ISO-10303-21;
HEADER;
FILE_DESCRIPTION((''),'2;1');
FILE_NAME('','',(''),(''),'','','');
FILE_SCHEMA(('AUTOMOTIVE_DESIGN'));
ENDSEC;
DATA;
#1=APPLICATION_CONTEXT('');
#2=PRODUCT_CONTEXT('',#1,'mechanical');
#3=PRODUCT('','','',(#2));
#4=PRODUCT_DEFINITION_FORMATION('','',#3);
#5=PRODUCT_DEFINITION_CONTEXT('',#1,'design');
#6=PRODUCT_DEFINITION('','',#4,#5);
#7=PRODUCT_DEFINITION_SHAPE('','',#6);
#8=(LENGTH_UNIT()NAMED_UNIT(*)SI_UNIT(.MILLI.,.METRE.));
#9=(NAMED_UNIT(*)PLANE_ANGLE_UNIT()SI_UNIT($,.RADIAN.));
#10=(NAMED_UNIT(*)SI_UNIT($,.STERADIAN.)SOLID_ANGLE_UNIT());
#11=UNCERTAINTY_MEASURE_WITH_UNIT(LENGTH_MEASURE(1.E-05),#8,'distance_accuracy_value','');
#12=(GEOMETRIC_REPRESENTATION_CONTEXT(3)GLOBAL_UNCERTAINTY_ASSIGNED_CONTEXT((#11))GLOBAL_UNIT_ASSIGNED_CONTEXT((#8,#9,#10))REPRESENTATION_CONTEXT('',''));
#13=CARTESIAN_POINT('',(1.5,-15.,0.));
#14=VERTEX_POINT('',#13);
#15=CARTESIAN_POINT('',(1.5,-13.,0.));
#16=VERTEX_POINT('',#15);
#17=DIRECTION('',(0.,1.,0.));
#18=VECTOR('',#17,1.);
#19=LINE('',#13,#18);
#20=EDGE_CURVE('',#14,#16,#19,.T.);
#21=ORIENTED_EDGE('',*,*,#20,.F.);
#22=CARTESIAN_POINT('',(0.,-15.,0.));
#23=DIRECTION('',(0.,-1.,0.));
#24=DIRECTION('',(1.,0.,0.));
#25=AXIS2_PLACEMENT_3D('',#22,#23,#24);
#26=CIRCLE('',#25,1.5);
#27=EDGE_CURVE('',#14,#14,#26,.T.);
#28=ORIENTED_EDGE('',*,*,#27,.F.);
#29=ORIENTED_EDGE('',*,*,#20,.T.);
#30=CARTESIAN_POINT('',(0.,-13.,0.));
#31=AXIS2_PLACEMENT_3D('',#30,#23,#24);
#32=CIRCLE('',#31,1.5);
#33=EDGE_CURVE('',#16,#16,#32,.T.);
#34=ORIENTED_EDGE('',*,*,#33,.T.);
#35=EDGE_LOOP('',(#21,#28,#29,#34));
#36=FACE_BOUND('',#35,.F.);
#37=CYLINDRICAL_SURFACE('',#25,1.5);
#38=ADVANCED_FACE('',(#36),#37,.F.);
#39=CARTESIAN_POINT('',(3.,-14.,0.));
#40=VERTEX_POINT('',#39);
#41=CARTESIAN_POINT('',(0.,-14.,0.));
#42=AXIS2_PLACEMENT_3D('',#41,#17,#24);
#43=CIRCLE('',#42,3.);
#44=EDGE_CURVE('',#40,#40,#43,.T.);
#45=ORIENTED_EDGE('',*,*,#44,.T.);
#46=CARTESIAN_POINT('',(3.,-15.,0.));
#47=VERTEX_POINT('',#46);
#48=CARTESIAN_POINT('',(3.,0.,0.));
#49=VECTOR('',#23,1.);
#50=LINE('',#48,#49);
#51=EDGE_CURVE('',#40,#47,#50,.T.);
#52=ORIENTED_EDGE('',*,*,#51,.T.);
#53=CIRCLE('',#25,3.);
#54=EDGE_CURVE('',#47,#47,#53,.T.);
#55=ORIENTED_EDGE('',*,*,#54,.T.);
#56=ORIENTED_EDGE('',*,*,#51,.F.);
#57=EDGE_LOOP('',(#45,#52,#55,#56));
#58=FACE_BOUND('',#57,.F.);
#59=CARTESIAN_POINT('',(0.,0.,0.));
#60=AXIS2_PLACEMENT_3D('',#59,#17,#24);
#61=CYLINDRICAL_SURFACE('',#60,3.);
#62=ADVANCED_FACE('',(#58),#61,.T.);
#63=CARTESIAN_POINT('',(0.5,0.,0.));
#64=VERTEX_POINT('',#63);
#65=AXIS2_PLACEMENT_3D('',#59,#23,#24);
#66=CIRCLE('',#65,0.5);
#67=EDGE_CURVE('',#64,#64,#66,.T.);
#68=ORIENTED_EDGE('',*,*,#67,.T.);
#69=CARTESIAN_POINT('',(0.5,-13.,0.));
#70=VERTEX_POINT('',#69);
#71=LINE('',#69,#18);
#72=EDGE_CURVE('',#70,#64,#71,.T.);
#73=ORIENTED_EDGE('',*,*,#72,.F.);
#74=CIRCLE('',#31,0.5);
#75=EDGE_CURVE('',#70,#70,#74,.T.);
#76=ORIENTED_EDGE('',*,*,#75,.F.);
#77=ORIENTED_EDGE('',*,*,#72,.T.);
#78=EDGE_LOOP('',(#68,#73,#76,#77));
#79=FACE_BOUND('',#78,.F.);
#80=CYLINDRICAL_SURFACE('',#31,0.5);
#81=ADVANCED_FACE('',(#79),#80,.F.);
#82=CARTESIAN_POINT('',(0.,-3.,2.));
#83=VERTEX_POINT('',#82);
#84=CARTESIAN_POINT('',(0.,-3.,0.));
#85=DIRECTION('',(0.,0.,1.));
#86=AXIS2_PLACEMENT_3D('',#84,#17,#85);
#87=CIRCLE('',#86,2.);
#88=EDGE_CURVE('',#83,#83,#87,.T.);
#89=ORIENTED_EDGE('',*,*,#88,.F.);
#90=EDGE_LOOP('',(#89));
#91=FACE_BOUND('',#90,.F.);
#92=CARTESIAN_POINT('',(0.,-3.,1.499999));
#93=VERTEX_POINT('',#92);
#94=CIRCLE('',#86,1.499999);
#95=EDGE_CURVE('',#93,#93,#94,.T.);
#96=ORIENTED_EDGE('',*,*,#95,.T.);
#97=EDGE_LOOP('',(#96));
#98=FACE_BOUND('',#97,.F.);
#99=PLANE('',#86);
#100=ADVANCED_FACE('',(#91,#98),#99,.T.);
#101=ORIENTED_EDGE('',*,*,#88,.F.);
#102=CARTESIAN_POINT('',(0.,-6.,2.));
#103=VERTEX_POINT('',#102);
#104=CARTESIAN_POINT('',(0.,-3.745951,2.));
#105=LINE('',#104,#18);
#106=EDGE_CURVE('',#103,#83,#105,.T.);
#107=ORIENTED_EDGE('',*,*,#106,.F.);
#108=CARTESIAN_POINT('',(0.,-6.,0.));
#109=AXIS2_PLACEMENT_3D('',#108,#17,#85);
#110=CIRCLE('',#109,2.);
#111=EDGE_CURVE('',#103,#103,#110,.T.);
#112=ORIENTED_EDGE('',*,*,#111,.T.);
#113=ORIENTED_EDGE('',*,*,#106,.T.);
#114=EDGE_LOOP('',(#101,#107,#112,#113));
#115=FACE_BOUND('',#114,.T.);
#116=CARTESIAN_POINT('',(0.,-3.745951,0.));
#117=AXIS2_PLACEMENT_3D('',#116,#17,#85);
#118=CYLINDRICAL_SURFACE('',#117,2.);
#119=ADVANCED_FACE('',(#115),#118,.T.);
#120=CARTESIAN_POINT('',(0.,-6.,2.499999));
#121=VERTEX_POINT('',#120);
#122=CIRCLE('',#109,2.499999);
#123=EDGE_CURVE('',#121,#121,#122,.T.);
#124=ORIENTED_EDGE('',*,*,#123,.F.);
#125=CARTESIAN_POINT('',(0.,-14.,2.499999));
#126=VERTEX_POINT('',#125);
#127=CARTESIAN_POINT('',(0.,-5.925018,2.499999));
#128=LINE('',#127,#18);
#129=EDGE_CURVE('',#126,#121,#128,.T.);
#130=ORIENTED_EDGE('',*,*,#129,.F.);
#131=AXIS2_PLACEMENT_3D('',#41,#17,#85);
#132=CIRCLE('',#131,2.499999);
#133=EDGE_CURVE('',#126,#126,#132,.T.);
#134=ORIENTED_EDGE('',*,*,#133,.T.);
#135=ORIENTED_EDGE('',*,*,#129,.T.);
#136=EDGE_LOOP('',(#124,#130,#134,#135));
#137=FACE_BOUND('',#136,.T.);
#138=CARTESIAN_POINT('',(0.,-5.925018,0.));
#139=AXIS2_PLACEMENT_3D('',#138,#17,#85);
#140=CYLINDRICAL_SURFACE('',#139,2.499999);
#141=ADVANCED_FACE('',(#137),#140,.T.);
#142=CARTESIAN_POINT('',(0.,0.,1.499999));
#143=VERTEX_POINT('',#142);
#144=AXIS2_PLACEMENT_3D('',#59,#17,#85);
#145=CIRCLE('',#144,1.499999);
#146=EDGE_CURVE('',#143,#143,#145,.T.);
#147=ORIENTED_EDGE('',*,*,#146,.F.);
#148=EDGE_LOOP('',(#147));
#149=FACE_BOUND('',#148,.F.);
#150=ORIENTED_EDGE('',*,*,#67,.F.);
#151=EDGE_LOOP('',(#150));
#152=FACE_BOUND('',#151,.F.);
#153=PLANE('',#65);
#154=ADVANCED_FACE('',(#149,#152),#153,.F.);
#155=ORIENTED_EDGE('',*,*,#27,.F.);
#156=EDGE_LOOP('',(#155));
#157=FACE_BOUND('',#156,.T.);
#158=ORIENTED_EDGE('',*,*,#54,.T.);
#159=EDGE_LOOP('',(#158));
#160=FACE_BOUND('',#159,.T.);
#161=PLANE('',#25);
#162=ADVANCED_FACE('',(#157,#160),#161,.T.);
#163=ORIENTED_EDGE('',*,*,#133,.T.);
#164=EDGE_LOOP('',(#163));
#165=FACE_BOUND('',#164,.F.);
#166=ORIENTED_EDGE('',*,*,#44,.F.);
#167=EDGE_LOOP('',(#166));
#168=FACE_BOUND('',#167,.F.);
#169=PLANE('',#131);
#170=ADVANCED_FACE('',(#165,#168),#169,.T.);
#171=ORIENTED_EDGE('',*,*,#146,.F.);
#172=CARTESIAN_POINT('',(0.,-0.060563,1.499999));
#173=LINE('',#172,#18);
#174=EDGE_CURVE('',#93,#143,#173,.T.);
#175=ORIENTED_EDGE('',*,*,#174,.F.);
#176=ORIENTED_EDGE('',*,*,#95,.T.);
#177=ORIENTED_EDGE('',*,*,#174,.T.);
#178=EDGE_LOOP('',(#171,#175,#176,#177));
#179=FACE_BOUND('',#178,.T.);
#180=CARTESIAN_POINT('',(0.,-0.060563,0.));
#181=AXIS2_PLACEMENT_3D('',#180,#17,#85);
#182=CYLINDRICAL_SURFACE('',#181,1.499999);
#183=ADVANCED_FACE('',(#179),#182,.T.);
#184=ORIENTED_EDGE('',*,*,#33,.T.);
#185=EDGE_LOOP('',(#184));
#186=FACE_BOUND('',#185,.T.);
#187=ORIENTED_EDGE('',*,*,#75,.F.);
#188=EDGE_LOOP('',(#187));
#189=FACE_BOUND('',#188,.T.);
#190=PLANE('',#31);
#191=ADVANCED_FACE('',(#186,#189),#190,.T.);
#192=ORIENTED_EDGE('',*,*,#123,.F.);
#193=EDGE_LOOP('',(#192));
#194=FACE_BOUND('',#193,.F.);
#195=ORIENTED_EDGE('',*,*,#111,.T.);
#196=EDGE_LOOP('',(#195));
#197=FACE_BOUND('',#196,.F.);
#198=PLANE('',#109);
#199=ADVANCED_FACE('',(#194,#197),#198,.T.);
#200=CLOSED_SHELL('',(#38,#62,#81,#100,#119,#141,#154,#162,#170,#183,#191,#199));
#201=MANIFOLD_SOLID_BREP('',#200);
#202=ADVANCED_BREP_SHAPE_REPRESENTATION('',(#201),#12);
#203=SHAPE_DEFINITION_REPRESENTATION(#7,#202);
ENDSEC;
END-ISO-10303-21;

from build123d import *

# Parameters (mm, degrees)
F0_R     = 3
F1_DEPTH = 15
F2_R     = 1.5
F3_DEPTH = 2
F4_W     = 5.878874
F4_H     = 2.213873
F6_R     = 0.5
F7_DEPTH = 13.001
F8_W     = 16.149964
F8_H     = 2.257945
F10_W    = 4.508098
F10_H    = 1.941308


with BuildPart() as f1:
    # F0 (on Front) → F1 (new body)
    with BuildSketch(Plane.XZ):
        Circle(F0_R)
    extrude(amount=F1_DEPTH)

    # F2 (on face) → F3 (cut)
    with BuildSketch(Plane.XZ.offset(15)):
        Circle(F2_R)
    extrude(amount=-F3_DEPTH, mode=Mode.SUBTRACT)

    # F4 (on Right) → F5 (revolve, cut)
    with BuildSketch(Plane.YZ):
        with Locations((-0.060563, 2.606936)):
            Rectangle(F4_W, F4_H)
    revolve(axis=Axis((0, -8.455116, 0), (0, 1, 0)), mode=Mode.SUBTRACT)

    # F6 (on face) → F7 (cut, through all)
    with BuildSketch(Plane.XZ.offset(13)):
        Circle(F6_R)
    extrude(amount=-F7_DEPTH, mode=Mode.SUBTRACT)

    # F8 (on Right) → F9 (revolve, cut)
    with BuildSketch(Plane.YZ):
        with Locations((-5.925018, 3.628972)):
            Rectangle(F8_W, F8_H)
    revolve(axis=Axis((0, -7.437502, 0), (0, 1, 0)), mode=Mode.SUBTRACT)

    # F10 (on Right) → F11 (revolve, cut)
    with BuildSketch(Plane.YZ):
        with Locations((-3.745951, 2.970654)):
            Rectangle(F10_W, F10_H)
    revolve(axis=Axis((0, -6.562206, 0), (0, 1, 0)), mode=Mode.SUBTRACT)


solid = f1.part
